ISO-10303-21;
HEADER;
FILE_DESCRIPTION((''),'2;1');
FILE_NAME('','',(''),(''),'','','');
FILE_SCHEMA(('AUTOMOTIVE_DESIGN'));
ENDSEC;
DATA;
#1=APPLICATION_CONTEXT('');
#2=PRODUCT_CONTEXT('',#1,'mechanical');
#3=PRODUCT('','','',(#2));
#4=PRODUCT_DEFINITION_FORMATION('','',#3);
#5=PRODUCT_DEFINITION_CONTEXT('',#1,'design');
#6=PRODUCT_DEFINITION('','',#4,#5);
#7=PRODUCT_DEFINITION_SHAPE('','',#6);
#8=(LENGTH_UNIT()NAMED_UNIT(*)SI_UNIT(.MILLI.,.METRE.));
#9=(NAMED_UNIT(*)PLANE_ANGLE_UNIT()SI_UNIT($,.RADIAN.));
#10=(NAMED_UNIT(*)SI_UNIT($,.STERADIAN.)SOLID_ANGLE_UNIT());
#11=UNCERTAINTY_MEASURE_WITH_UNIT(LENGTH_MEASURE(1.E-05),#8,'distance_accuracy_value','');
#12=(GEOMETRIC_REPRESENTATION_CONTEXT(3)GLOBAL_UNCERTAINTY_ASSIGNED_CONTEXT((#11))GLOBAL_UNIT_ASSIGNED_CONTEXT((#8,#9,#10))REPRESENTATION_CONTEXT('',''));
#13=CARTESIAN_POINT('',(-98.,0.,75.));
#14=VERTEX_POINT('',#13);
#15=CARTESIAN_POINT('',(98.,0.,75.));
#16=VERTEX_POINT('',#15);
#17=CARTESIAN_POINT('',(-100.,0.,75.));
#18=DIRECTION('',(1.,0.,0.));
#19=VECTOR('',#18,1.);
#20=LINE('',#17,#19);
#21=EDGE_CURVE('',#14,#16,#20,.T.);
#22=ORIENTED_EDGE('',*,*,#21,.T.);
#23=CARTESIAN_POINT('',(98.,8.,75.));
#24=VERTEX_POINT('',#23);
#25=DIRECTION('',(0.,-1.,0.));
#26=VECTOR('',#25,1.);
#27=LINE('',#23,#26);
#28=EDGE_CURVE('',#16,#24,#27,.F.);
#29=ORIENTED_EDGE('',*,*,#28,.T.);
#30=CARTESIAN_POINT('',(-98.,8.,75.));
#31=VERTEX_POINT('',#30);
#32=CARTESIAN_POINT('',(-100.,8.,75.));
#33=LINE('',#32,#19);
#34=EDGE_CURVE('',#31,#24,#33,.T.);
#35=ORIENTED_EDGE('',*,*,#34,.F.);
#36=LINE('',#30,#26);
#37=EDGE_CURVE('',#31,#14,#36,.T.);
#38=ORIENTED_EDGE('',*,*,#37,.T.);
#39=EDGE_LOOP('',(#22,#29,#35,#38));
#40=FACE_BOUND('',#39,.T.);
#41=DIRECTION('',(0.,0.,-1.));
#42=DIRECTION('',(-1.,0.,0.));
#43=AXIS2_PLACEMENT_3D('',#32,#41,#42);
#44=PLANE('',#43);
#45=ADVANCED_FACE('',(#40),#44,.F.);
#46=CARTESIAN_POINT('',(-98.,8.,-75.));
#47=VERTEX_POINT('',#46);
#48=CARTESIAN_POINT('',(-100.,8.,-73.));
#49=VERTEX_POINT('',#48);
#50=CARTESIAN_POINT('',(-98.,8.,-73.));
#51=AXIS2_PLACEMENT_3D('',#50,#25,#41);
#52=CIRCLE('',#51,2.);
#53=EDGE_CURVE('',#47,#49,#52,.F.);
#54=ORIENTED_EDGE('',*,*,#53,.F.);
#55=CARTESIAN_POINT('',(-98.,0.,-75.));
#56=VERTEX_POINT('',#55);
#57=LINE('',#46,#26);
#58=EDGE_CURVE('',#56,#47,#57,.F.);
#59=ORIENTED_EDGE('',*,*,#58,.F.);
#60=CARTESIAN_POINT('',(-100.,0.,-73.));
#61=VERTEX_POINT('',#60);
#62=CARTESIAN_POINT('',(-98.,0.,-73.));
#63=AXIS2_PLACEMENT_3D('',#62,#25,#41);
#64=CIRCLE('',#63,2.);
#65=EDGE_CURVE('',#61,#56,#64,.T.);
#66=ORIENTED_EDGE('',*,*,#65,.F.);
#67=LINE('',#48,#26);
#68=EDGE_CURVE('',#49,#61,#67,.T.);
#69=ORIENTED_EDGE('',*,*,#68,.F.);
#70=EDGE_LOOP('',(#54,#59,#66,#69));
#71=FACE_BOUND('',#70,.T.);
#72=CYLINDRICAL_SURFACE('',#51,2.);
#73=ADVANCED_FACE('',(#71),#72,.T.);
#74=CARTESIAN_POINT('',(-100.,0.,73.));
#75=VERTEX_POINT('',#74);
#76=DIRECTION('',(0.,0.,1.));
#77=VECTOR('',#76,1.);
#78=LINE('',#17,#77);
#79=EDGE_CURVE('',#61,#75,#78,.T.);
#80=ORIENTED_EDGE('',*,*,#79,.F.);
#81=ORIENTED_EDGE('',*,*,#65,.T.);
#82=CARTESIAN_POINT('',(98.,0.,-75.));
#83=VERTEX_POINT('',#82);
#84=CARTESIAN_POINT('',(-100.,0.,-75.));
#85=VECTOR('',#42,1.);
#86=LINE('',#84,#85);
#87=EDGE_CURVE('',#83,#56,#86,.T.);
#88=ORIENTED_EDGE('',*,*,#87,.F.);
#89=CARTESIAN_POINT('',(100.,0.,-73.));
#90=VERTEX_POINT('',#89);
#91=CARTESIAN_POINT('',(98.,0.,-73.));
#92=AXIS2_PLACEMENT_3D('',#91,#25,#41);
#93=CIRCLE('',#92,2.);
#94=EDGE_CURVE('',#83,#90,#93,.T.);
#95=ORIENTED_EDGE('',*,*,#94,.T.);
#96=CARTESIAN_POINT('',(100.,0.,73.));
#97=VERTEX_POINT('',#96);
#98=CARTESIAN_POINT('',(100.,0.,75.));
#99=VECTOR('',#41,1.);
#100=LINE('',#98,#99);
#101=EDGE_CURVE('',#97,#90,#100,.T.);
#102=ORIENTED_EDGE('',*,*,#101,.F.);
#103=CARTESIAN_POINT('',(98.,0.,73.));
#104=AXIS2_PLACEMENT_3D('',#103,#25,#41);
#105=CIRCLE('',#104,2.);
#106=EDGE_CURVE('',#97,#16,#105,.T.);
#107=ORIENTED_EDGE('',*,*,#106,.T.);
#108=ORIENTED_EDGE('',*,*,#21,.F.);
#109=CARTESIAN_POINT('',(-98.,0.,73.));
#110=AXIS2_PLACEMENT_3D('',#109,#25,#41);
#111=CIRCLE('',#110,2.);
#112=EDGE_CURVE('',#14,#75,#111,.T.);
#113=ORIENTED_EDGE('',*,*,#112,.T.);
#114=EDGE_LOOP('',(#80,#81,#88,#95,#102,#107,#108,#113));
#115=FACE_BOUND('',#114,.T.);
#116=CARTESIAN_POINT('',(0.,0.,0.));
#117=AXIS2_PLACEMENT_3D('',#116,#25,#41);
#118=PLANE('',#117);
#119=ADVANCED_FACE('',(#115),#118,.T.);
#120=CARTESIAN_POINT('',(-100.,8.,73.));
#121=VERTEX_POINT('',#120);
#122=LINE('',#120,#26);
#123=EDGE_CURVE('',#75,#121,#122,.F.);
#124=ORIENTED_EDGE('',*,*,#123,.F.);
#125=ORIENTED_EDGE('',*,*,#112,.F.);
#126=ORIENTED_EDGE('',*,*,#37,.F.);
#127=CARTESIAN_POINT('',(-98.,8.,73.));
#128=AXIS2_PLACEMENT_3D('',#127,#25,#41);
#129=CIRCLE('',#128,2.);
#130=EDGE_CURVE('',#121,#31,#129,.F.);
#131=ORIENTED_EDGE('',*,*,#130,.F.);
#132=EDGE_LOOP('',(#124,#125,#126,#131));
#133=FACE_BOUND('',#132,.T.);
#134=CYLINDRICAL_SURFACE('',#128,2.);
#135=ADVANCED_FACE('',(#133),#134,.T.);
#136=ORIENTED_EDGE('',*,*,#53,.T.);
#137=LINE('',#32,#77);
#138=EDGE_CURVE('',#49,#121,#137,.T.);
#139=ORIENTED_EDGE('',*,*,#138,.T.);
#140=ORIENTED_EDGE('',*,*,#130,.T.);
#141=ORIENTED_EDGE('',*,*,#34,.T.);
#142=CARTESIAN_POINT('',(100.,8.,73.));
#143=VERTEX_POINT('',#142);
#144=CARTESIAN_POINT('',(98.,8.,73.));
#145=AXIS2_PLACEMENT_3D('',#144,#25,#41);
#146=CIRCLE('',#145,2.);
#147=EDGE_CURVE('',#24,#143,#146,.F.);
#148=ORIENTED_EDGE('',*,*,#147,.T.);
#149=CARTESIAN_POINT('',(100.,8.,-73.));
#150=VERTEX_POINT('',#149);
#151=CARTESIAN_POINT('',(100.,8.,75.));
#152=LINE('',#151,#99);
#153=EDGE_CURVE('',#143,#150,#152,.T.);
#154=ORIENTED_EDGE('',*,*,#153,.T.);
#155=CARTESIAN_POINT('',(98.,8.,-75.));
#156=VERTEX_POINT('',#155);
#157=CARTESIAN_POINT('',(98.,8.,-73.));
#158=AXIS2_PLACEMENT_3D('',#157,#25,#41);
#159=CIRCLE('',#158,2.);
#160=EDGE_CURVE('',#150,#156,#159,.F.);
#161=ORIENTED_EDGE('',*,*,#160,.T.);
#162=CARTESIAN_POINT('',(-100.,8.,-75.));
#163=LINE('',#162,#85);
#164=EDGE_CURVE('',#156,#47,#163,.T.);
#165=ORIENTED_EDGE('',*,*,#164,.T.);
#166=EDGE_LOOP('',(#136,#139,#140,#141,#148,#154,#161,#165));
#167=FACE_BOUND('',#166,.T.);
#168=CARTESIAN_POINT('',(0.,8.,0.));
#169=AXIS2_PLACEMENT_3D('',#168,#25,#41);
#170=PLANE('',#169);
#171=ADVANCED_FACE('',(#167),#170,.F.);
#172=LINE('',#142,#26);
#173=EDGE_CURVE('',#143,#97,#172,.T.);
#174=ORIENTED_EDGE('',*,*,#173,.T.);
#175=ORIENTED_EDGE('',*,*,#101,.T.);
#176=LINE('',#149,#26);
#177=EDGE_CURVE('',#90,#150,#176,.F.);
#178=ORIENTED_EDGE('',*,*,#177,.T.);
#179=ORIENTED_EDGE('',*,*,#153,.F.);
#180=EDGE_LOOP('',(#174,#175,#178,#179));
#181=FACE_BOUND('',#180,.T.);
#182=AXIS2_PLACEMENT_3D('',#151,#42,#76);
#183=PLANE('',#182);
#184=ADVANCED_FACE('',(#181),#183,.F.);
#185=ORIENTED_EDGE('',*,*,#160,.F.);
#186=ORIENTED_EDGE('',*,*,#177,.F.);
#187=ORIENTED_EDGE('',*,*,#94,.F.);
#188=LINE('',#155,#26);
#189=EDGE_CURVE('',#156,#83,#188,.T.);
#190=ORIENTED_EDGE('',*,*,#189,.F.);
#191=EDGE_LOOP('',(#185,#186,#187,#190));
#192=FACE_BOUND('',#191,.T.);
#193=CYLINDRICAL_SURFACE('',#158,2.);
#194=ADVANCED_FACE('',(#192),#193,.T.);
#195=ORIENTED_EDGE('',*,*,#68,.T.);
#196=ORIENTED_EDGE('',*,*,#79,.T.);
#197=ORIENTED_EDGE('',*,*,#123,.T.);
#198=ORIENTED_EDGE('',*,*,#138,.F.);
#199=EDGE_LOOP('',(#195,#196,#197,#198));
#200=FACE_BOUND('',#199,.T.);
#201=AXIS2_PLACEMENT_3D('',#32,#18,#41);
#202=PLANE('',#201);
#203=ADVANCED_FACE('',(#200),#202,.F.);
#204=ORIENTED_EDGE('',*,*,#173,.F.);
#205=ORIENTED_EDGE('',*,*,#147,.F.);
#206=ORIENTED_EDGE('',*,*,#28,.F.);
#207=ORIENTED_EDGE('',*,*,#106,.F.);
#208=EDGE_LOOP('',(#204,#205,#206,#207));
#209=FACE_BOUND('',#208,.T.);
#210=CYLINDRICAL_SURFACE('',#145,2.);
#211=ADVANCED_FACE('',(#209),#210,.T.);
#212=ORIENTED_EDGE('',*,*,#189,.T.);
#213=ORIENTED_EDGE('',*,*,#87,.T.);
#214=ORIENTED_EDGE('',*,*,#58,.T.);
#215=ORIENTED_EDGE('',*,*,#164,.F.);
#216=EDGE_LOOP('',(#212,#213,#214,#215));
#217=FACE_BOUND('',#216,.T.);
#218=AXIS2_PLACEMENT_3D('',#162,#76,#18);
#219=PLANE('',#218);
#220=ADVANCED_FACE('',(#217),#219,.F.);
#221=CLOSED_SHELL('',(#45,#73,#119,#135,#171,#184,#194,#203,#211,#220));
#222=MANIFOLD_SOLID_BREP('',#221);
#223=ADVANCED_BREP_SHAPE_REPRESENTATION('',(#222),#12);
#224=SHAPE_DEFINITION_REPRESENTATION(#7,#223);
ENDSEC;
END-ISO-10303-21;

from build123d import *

# Parameters (mm, degrees)
CROQUIS1_W              = 200
CROQUIS1_H              = 150
SALIENTE_EXTRUIR1_DEPTH = 8
REDONDEO1_R             = 2


with BuildPart() as part:
    # Croquis1 → Saliente-Extruir1 (new body)
    with BuildSketch(Plane(origin=(0, 0, 0), x_dir=(1, 0, 0), z_dir=(0, 1, 0))):
        Rectangle(CROQUIS1_W, CROQUIS1_H)
    extrude(amount=SALIENTE_EXTRUIR1_DEPTH)

    # Redondeo1
    redondeo1_edges = [part.edges().sort_by_distance(p)[0] for p in [
        (100, 4, 75),
        (-100, 4, 75),
        (-100, 4, -75),
        (100, 4, -75),
    ]]
    fillet(redondeo1_edges, radius=REDONDEO1_R)


solid = part.part
